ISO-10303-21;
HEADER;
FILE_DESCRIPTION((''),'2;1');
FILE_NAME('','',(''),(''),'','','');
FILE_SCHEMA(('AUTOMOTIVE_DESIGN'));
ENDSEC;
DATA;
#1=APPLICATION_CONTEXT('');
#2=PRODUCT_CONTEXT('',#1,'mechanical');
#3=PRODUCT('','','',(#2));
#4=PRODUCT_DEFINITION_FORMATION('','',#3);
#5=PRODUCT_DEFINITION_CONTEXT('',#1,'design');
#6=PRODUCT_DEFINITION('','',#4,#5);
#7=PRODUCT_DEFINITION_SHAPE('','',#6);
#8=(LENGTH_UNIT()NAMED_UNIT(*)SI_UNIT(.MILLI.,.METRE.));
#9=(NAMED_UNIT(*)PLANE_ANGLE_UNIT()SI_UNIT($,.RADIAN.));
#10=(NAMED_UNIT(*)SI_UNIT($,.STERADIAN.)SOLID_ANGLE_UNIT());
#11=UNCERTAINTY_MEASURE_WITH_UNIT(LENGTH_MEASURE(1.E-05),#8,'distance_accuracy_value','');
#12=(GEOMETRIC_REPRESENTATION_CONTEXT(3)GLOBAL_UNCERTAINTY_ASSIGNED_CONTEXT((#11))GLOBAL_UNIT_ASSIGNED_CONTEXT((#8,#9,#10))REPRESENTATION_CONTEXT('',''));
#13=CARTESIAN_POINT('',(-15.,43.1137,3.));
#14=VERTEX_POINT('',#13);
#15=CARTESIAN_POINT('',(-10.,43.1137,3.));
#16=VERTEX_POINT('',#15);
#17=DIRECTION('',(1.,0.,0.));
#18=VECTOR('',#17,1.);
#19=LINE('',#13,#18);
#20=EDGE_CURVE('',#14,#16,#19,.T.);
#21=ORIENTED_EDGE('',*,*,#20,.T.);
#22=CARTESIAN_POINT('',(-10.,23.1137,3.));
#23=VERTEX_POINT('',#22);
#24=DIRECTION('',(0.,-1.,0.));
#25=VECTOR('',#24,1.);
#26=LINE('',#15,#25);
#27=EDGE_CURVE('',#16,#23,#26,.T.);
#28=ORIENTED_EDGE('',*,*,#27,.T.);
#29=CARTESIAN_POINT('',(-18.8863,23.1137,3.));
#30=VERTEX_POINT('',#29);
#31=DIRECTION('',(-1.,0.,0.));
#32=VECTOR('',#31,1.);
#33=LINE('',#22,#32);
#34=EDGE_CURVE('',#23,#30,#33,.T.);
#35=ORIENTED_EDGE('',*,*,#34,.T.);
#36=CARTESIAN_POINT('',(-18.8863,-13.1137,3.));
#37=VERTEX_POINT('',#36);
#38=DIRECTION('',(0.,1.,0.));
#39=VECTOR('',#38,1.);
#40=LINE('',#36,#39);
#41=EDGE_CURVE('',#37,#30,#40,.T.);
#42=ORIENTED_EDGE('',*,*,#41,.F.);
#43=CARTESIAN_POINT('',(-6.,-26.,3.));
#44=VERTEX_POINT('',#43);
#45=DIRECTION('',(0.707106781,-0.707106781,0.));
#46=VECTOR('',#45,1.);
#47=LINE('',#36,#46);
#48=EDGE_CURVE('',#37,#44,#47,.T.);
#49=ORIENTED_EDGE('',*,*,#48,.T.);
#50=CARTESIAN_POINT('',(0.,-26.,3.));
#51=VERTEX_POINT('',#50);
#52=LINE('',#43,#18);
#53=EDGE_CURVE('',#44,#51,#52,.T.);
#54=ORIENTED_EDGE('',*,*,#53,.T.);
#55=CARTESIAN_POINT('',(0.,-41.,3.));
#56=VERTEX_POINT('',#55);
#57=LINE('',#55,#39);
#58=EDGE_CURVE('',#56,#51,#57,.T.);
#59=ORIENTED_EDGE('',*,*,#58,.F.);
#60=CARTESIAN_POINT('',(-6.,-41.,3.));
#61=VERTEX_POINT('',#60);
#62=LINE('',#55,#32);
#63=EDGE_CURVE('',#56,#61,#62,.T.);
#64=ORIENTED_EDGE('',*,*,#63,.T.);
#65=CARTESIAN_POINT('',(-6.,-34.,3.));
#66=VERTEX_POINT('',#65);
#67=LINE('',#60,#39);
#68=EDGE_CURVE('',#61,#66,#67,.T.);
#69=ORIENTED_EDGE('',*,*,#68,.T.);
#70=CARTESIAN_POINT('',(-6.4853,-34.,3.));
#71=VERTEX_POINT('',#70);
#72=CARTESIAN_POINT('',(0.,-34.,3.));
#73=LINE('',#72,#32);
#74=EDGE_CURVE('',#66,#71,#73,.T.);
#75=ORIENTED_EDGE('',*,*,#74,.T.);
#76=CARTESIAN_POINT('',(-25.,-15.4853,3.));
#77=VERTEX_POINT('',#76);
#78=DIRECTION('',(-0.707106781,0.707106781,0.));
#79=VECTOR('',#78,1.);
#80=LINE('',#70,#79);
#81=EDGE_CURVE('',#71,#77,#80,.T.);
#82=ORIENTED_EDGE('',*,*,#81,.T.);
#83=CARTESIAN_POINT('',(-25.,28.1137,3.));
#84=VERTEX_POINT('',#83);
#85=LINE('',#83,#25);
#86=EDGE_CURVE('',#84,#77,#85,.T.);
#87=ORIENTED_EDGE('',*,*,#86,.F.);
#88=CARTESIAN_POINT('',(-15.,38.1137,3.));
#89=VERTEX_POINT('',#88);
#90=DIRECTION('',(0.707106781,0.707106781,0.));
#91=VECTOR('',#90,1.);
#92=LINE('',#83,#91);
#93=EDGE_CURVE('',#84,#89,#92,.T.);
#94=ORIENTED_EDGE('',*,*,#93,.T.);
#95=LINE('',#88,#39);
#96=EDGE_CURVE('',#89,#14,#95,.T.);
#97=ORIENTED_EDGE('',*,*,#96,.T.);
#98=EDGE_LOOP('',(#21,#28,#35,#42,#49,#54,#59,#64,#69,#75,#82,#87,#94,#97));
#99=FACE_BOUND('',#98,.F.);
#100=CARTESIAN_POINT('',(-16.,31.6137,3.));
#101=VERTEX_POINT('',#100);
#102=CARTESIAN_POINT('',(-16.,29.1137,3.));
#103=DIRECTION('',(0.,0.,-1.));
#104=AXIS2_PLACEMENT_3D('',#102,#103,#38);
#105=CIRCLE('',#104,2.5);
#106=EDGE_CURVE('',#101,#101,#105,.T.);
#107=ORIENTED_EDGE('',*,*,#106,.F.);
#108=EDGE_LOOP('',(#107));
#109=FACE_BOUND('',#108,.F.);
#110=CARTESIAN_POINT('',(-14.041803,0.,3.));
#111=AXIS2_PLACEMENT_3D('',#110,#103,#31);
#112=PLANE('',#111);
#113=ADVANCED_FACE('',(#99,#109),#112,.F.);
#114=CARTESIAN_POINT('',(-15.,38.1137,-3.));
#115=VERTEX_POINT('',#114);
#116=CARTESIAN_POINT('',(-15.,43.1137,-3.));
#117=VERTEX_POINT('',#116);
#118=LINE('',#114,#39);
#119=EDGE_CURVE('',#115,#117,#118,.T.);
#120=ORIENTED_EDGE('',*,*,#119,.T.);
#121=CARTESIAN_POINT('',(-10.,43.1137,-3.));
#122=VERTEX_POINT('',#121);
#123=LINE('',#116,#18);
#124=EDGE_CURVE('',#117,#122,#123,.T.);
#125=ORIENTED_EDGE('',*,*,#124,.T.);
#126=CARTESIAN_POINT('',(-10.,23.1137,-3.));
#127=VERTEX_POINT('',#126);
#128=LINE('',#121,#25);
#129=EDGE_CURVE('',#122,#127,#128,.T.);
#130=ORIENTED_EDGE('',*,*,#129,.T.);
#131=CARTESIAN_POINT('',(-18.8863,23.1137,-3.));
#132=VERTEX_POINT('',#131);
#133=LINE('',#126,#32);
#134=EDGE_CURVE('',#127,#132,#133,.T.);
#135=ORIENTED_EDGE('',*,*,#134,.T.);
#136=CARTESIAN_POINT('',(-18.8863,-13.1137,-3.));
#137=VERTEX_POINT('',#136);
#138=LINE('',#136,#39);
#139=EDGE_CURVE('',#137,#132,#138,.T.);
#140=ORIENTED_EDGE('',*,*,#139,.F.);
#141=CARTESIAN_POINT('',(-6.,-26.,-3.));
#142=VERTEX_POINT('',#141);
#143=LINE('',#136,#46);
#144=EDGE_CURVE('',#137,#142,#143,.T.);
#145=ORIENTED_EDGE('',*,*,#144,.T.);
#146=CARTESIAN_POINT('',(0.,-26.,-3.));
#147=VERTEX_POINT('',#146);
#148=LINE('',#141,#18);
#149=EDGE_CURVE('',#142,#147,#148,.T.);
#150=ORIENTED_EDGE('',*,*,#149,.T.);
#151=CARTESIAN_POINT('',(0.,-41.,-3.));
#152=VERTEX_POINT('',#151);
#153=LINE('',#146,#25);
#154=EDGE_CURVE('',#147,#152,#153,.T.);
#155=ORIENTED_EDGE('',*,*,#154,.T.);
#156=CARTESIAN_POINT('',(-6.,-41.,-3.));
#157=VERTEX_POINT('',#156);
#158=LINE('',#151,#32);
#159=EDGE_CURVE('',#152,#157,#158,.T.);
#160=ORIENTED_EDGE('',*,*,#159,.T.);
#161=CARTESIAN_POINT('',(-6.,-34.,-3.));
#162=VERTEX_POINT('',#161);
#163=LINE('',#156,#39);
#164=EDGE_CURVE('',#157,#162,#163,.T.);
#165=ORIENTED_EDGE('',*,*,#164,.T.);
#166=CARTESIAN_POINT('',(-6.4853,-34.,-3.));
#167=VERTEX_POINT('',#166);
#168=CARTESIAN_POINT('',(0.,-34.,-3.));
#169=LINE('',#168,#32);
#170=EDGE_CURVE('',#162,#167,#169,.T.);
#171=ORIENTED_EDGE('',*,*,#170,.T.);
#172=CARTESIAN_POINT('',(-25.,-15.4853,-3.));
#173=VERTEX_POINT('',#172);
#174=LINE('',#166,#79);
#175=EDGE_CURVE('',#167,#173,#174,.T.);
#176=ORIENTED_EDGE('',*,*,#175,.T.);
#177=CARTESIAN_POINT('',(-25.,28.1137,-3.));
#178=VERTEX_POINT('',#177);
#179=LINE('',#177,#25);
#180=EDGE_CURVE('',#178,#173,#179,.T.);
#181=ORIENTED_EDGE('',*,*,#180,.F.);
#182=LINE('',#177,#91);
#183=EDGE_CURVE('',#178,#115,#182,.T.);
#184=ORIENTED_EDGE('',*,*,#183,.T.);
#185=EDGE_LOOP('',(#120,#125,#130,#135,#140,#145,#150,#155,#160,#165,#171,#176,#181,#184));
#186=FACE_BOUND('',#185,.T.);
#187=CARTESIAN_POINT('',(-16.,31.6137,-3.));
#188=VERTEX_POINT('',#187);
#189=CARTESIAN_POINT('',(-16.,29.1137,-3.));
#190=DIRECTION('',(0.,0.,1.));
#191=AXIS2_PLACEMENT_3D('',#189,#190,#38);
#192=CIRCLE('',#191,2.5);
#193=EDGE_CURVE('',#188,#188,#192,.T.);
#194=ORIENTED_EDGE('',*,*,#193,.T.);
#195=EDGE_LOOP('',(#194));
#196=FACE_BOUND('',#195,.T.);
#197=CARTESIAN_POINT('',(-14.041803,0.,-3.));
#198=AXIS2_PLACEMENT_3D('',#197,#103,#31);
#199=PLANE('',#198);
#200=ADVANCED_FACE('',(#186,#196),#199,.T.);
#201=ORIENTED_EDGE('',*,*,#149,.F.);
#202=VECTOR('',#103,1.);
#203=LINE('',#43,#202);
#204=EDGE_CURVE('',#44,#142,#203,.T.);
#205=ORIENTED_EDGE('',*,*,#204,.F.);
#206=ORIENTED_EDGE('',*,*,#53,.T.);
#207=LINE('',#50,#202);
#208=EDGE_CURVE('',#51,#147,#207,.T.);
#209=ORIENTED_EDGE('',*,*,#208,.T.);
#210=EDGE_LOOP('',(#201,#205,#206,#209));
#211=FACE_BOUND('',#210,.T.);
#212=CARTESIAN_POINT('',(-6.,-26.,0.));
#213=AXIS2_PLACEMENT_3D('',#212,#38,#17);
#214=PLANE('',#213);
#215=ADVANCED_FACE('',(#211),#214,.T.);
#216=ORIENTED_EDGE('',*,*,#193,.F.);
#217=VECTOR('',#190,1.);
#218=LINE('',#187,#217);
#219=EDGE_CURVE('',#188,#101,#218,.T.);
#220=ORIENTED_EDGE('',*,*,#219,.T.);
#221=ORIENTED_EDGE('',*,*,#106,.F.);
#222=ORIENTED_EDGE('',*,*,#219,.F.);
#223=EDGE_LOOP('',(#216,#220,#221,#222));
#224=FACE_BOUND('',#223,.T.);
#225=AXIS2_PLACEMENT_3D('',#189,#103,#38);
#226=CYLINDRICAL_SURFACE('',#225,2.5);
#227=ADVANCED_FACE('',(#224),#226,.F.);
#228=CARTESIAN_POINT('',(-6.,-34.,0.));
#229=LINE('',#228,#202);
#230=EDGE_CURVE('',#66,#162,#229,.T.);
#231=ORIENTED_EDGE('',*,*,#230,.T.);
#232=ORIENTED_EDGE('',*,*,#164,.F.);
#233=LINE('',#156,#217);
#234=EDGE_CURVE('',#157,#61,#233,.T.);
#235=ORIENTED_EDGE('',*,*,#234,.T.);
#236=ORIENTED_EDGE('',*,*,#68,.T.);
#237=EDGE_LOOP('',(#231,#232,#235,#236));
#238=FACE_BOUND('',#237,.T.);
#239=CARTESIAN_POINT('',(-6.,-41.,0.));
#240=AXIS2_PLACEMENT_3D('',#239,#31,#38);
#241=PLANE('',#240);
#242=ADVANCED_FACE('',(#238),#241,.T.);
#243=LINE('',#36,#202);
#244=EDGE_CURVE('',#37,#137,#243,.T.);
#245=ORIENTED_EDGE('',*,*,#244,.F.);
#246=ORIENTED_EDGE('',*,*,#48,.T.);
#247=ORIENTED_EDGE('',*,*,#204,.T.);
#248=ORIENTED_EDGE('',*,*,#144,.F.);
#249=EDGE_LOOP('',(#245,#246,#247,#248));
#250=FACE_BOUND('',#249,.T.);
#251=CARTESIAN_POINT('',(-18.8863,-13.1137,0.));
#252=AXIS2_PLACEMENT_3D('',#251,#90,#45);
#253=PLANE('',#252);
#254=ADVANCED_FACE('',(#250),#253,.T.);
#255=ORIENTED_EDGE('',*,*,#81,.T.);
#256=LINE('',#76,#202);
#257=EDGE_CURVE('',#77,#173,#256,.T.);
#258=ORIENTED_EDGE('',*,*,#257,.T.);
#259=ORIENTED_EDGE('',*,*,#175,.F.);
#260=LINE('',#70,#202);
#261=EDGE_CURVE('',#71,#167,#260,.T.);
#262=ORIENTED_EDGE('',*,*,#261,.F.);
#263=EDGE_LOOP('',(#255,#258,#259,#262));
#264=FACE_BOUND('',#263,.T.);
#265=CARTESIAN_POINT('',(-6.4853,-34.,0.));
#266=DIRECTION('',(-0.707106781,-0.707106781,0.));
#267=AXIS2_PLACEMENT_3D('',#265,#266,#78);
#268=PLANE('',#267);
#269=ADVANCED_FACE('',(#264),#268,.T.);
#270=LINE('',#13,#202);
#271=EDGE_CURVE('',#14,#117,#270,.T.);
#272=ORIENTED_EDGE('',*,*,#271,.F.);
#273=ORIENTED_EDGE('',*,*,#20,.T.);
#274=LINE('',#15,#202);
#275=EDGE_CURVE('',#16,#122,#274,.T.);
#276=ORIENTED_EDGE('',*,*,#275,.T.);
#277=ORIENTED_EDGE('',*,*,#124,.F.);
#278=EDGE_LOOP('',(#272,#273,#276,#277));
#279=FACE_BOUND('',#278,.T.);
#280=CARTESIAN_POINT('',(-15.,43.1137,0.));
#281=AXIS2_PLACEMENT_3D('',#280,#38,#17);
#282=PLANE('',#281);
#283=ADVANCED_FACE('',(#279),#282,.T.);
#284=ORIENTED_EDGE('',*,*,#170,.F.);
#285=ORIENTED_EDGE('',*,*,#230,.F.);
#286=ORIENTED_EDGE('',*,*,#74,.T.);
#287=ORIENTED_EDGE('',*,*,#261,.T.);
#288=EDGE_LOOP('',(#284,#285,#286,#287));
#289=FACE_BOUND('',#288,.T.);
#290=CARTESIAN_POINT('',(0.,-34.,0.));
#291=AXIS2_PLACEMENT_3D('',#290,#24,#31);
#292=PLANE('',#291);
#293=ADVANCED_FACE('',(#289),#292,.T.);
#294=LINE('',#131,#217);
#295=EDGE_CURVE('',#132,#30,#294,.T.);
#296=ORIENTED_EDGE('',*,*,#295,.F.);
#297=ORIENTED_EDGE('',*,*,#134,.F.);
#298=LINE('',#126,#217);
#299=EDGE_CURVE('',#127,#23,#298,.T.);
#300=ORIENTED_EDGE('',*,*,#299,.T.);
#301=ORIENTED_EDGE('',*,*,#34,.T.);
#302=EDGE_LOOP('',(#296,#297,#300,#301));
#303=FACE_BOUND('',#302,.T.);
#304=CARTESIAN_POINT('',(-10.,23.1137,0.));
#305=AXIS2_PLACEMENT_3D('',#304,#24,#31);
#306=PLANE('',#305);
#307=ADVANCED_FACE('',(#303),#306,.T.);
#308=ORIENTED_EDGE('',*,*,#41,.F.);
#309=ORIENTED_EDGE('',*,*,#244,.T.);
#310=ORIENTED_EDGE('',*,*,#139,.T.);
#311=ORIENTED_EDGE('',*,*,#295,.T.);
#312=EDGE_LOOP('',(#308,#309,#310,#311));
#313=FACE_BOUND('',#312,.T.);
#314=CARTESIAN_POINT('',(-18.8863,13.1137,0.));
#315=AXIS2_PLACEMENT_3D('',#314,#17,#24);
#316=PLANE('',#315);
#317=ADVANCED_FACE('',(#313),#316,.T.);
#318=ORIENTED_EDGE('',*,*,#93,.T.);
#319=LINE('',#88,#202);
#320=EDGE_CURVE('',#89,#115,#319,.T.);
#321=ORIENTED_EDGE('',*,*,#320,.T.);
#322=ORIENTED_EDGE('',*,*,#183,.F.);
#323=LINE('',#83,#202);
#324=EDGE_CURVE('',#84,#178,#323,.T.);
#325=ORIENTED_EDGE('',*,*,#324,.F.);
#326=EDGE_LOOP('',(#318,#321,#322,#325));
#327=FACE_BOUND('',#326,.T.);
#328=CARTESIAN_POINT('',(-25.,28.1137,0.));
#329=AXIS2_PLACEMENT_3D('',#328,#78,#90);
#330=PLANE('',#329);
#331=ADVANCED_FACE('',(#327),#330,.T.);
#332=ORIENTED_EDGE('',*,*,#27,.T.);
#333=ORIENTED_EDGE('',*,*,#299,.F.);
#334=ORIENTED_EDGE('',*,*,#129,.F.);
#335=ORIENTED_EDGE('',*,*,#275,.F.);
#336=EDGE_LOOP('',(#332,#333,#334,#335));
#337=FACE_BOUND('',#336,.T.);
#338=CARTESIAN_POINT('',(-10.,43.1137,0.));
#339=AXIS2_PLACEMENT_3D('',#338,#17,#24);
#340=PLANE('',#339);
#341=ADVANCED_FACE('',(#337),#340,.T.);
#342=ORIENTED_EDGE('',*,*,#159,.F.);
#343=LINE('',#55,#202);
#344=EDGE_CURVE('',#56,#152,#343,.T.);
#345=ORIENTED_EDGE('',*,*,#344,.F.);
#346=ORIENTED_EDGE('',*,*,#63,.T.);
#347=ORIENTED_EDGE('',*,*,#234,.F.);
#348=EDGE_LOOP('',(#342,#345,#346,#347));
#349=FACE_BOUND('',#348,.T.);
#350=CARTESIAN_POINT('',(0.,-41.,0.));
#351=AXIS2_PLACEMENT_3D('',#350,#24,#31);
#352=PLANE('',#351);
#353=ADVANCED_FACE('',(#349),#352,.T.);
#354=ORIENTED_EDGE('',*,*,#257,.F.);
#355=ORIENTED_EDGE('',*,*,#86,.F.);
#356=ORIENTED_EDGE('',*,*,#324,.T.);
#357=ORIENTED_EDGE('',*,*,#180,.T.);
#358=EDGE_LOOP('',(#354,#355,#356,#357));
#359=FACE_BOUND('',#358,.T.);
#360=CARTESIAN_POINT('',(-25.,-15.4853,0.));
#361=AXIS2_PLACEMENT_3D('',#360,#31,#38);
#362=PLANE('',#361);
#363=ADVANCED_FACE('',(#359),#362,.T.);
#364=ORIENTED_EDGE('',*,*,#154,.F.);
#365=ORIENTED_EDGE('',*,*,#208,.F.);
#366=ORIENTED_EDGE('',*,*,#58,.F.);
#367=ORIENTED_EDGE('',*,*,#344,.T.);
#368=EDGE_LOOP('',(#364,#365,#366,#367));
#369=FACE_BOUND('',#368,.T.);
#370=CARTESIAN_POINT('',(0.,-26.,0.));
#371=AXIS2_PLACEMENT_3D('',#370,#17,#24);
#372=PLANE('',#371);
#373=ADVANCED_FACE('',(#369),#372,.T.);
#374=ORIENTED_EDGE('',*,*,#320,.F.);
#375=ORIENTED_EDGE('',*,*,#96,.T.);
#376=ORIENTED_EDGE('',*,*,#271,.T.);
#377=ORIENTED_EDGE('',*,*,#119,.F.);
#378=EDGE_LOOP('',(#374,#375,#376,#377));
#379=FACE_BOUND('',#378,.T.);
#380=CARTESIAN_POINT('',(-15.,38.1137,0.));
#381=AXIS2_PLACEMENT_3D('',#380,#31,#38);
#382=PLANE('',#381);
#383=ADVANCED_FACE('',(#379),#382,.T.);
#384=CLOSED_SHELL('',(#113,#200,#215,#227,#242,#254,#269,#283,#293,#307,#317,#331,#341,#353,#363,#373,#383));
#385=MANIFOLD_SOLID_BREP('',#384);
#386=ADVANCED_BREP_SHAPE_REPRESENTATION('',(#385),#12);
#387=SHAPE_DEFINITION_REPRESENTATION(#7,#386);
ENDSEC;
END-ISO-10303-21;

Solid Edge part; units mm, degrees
sketch "Sketch1" plane through (0, 0, 0) normal (0, 0, 1) x (1, 0, 0)
  line L0 (0, 34) -> (0, 26)
  line L1 (0, 26) -> (-6, 26)
  line L2 (-6, 26) -> (-18.8863, 13.1137)
  line L3 (-18.8863, 13.1137) -> (-18.8863, -13.1137)
  line L4 (-18.8863, -13.1137) -> (-6, -26)
  line L5 (-6, -26) -> (0, -26)
  line L6 (0, -26) -> (0, -34)
  line L7 (0, -34) -> (-6.4853, -34)
  line L8 (-6.4853, -34) -> (-25, -15.4853)
  line L9 (-25, -15.4853) -> (-25, 15.4853)
  line L10 (-25, 15.4853) -> (-6.4853, 34)
  line L11 (-6.4853, 34) -> (0, 34)
  dimension "D1" = 6
  dimension "D2" = 6
  dimension "D3" = 8
  dimension "D4" = 25
  dimension "D5" = 52
extrude "Protrusion1" add sketch "Sketch1" along normal mid plane 6
sketch "Sketch2" plane through (0, 0, 0) normal (0, 0, 1) x (1, 0, 0)
  line L0 (-6, -26) -> (0, -26)
  line L1 (0, -26) -> (0, -41)
  line L2 (0, -41) -> (-6, -41)
  line L3 (-6, -41) -> (-6, -26)
  dimension "D1" = 15
extrude "ExtrudedProtrusion_2" add sketch "Sketch2" along normal mid plane 6
sketch "Sketch3" plane through (-12.2288, -3.5, -3) normal (0, 0, -1) x (0, 1, 0)
  line L0 (16.6137, -6.6575) -> (16.6137, -12.7712)
  line L1 (16.6137, -12.7712) -> (18.9853, -12.7712)
  line L2 (18.9853, -12.7712) -> (37.5, 5.7435)
  line L3 (37.5, 5.7435) -> (37.5, 12.2288)
  line L4 (37.5, 12.2288) -> (29.5, 12.2288)
  line L5 (29.5, 12.2288) -> (29.5, 6.2288)
  line L6 (29.5, 6.2288) -> (16.6137, -6.6575)
extrude "Cutout1" cut sketch "Sketch3" against normal through all
sketch "Sketch4" plane through (0, 0, 0) normal (0, 0, 1) x (1, 0, 0)
  line L0 (-18.8863, 13.1137) -> (-25, 13.1137)
  line L1 (-25, 13.1137) -> (-25, 28.1137)
  line L2 (-25, 28.1137) -> (-15, 38.1137)
  line L3 (-15, 38.1137) -> (-15, 43.1137)
  line L4 (-15, 43.1137) -> (-10, 43.1137)
  line L5 (-10, 43.1137) -> (-10, 23.1137)
  line L6 (-10, 23.1137) -> (-18.8863, 23.1137)
  line L7 (-18.8863, 23.1137) -> (-18.8863, 13.1137)
  dimension "D1" = 30
  dimension "D2" = 10
  dimension "D3" = 15
  dimension "D4" = 15
  dimension "D5" = 5
extrude "ExtrudedProtrusion_3" add sketch "Sketch4" along normal mid plane 6
hole "Hole_1" at (-16, 29.1137, -3) direction (0, 0, 1) diameter 5 end up to next
properties material "Polyethylene, low density"
